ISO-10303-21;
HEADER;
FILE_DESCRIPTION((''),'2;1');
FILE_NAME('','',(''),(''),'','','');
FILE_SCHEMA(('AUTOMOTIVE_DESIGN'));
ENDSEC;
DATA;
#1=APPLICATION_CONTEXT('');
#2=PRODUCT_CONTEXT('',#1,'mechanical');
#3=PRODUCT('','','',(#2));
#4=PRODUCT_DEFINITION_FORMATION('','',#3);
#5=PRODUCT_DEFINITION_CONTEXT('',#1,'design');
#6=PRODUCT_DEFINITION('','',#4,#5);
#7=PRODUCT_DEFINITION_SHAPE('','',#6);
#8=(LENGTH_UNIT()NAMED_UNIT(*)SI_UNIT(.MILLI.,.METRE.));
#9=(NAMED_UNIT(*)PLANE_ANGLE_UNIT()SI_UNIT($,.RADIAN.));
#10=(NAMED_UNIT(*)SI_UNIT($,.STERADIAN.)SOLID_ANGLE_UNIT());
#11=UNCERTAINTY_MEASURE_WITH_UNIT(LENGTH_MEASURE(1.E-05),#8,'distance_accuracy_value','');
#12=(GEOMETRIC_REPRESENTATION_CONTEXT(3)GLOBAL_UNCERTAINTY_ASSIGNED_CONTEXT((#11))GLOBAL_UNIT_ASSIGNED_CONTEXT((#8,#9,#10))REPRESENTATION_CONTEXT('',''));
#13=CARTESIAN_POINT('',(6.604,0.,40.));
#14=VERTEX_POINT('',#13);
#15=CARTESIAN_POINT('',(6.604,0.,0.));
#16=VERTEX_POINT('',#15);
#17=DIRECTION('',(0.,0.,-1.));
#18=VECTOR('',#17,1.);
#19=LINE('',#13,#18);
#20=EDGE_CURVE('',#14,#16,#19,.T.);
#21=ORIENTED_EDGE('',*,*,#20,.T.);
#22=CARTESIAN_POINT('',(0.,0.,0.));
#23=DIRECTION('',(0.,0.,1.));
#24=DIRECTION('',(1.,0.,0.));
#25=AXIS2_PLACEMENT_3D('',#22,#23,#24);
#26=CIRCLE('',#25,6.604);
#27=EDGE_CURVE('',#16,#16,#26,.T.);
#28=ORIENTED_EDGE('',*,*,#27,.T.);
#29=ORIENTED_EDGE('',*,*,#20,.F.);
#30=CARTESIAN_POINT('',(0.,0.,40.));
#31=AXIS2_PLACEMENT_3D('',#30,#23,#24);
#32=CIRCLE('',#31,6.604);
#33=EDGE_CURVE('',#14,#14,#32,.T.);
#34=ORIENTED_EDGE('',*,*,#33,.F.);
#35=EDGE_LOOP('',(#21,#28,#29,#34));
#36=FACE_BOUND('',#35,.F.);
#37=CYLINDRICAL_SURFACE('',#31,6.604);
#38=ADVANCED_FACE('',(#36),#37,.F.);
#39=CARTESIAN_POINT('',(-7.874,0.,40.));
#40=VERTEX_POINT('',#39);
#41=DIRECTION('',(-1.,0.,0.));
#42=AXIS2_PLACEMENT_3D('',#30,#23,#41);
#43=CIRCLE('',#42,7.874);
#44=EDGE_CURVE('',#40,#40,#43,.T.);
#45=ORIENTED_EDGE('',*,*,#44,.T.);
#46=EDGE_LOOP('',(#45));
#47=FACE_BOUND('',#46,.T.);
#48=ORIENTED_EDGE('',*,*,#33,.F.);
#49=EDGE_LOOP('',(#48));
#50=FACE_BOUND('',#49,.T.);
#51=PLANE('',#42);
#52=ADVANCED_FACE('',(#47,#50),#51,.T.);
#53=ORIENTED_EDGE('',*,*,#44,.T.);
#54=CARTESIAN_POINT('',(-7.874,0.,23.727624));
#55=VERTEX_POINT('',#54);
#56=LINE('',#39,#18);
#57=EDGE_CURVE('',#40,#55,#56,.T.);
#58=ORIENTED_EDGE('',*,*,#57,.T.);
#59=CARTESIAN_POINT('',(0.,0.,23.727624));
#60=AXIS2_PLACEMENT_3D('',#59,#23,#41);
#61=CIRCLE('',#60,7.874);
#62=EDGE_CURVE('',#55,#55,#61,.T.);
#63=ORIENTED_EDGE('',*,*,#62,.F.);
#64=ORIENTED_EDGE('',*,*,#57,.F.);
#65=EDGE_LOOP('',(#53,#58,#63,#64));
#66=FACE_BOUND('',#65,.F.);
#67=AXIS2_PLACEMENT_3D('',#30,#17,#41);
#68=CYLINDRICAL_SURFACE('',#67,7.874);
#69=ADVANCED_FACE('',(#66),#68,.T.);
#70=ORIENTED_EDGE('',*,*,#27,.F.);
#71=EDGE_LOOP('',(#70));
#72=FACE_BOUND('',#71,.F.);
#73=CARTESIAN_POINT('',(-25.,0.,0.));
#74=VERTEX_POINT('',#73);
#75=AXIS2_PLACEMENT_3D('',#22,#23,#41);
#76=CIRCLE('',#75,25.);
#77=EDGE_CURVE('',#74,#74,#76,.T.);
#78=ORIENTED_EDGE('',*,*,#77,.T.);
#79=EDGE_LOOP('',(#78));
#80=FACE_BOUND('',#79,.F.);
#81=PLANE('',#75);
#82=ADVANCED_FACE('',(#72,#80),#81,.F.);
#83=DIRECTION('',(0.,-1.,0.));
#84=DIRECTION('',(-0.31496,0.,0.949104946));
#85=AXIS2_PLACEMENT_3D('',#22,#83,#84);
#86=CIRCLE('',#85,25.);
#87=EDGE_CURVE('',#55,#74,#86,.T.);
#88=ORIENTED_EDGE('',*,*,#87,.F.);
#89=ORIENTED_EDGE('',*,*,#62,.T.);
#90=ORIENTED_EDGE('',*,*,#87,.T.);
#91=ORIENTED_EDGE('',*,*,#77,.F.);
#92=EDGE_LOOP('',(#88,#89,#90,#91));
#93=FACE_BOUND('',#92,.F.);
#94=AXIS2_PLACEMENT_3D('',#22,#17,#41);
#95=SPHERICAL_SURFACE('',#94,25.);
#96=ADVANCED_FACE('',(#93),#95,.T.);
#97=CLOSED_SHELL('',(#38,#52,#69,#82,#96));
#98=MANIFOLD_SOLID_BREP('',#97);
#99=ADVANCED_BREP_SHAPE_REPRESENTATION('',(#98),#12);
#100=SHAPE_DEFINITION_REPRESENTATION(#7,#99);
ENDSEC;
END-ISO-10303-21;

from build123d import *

# Parameters (mm, degrees)
F0_W     = 7.874
F0_H     = 15
F2_R     = 6.604
F3_DEPTH = 45.7916


with BuildPart() as f1:
    # F0 (on Front) → F1 (revolve)
    with BuildSketch(Plane.XZ):
        with Locations((-3.937, 32.5)):
            Rectangle(F0_W, F0_H)
        with BuildLine():
            Line((0, 0), (0, 25))
            ThreePointArc((0, 25), (-3.9880702595, 24.6798560694), (-7.874, 23.7276236484))
            Line((-7.874, 23.7276236484), (-7.874, 0))
            Line((-7.874, 0), (0, 0))
        make_face()
        with BuildLine():
            Line((-7.874, 0), (-7.874, 23.7276236484))
            ThreePointArc((-7.874, 23.7276236484), (-20.2712851097, 14.631302061), (-25, 0))
            Line((-25, 0), (-7.874, 0))
        make_face()
        with BuildLine():
            ThreePointArc((-7.874, 23.7276236484), (-3.9880702595, 24.6798560694), (0, 25))
            Line((0, 25), (-7.874, 25))
            Line((-7.874, 25), (-7.874, 23.7276236484))
        make_face()
    revolve(axis=Axis((0, 0, 20), (0, 0, 1)))

    # F2 (on face) → F3 (cut)
    with BuildSketch(Plane.XY.offset(40)):
        Circle(F2_R)
    extrude(amount=-F3_DEPTH, mode=Mode.SUBTRACT)


solid = f1.part
